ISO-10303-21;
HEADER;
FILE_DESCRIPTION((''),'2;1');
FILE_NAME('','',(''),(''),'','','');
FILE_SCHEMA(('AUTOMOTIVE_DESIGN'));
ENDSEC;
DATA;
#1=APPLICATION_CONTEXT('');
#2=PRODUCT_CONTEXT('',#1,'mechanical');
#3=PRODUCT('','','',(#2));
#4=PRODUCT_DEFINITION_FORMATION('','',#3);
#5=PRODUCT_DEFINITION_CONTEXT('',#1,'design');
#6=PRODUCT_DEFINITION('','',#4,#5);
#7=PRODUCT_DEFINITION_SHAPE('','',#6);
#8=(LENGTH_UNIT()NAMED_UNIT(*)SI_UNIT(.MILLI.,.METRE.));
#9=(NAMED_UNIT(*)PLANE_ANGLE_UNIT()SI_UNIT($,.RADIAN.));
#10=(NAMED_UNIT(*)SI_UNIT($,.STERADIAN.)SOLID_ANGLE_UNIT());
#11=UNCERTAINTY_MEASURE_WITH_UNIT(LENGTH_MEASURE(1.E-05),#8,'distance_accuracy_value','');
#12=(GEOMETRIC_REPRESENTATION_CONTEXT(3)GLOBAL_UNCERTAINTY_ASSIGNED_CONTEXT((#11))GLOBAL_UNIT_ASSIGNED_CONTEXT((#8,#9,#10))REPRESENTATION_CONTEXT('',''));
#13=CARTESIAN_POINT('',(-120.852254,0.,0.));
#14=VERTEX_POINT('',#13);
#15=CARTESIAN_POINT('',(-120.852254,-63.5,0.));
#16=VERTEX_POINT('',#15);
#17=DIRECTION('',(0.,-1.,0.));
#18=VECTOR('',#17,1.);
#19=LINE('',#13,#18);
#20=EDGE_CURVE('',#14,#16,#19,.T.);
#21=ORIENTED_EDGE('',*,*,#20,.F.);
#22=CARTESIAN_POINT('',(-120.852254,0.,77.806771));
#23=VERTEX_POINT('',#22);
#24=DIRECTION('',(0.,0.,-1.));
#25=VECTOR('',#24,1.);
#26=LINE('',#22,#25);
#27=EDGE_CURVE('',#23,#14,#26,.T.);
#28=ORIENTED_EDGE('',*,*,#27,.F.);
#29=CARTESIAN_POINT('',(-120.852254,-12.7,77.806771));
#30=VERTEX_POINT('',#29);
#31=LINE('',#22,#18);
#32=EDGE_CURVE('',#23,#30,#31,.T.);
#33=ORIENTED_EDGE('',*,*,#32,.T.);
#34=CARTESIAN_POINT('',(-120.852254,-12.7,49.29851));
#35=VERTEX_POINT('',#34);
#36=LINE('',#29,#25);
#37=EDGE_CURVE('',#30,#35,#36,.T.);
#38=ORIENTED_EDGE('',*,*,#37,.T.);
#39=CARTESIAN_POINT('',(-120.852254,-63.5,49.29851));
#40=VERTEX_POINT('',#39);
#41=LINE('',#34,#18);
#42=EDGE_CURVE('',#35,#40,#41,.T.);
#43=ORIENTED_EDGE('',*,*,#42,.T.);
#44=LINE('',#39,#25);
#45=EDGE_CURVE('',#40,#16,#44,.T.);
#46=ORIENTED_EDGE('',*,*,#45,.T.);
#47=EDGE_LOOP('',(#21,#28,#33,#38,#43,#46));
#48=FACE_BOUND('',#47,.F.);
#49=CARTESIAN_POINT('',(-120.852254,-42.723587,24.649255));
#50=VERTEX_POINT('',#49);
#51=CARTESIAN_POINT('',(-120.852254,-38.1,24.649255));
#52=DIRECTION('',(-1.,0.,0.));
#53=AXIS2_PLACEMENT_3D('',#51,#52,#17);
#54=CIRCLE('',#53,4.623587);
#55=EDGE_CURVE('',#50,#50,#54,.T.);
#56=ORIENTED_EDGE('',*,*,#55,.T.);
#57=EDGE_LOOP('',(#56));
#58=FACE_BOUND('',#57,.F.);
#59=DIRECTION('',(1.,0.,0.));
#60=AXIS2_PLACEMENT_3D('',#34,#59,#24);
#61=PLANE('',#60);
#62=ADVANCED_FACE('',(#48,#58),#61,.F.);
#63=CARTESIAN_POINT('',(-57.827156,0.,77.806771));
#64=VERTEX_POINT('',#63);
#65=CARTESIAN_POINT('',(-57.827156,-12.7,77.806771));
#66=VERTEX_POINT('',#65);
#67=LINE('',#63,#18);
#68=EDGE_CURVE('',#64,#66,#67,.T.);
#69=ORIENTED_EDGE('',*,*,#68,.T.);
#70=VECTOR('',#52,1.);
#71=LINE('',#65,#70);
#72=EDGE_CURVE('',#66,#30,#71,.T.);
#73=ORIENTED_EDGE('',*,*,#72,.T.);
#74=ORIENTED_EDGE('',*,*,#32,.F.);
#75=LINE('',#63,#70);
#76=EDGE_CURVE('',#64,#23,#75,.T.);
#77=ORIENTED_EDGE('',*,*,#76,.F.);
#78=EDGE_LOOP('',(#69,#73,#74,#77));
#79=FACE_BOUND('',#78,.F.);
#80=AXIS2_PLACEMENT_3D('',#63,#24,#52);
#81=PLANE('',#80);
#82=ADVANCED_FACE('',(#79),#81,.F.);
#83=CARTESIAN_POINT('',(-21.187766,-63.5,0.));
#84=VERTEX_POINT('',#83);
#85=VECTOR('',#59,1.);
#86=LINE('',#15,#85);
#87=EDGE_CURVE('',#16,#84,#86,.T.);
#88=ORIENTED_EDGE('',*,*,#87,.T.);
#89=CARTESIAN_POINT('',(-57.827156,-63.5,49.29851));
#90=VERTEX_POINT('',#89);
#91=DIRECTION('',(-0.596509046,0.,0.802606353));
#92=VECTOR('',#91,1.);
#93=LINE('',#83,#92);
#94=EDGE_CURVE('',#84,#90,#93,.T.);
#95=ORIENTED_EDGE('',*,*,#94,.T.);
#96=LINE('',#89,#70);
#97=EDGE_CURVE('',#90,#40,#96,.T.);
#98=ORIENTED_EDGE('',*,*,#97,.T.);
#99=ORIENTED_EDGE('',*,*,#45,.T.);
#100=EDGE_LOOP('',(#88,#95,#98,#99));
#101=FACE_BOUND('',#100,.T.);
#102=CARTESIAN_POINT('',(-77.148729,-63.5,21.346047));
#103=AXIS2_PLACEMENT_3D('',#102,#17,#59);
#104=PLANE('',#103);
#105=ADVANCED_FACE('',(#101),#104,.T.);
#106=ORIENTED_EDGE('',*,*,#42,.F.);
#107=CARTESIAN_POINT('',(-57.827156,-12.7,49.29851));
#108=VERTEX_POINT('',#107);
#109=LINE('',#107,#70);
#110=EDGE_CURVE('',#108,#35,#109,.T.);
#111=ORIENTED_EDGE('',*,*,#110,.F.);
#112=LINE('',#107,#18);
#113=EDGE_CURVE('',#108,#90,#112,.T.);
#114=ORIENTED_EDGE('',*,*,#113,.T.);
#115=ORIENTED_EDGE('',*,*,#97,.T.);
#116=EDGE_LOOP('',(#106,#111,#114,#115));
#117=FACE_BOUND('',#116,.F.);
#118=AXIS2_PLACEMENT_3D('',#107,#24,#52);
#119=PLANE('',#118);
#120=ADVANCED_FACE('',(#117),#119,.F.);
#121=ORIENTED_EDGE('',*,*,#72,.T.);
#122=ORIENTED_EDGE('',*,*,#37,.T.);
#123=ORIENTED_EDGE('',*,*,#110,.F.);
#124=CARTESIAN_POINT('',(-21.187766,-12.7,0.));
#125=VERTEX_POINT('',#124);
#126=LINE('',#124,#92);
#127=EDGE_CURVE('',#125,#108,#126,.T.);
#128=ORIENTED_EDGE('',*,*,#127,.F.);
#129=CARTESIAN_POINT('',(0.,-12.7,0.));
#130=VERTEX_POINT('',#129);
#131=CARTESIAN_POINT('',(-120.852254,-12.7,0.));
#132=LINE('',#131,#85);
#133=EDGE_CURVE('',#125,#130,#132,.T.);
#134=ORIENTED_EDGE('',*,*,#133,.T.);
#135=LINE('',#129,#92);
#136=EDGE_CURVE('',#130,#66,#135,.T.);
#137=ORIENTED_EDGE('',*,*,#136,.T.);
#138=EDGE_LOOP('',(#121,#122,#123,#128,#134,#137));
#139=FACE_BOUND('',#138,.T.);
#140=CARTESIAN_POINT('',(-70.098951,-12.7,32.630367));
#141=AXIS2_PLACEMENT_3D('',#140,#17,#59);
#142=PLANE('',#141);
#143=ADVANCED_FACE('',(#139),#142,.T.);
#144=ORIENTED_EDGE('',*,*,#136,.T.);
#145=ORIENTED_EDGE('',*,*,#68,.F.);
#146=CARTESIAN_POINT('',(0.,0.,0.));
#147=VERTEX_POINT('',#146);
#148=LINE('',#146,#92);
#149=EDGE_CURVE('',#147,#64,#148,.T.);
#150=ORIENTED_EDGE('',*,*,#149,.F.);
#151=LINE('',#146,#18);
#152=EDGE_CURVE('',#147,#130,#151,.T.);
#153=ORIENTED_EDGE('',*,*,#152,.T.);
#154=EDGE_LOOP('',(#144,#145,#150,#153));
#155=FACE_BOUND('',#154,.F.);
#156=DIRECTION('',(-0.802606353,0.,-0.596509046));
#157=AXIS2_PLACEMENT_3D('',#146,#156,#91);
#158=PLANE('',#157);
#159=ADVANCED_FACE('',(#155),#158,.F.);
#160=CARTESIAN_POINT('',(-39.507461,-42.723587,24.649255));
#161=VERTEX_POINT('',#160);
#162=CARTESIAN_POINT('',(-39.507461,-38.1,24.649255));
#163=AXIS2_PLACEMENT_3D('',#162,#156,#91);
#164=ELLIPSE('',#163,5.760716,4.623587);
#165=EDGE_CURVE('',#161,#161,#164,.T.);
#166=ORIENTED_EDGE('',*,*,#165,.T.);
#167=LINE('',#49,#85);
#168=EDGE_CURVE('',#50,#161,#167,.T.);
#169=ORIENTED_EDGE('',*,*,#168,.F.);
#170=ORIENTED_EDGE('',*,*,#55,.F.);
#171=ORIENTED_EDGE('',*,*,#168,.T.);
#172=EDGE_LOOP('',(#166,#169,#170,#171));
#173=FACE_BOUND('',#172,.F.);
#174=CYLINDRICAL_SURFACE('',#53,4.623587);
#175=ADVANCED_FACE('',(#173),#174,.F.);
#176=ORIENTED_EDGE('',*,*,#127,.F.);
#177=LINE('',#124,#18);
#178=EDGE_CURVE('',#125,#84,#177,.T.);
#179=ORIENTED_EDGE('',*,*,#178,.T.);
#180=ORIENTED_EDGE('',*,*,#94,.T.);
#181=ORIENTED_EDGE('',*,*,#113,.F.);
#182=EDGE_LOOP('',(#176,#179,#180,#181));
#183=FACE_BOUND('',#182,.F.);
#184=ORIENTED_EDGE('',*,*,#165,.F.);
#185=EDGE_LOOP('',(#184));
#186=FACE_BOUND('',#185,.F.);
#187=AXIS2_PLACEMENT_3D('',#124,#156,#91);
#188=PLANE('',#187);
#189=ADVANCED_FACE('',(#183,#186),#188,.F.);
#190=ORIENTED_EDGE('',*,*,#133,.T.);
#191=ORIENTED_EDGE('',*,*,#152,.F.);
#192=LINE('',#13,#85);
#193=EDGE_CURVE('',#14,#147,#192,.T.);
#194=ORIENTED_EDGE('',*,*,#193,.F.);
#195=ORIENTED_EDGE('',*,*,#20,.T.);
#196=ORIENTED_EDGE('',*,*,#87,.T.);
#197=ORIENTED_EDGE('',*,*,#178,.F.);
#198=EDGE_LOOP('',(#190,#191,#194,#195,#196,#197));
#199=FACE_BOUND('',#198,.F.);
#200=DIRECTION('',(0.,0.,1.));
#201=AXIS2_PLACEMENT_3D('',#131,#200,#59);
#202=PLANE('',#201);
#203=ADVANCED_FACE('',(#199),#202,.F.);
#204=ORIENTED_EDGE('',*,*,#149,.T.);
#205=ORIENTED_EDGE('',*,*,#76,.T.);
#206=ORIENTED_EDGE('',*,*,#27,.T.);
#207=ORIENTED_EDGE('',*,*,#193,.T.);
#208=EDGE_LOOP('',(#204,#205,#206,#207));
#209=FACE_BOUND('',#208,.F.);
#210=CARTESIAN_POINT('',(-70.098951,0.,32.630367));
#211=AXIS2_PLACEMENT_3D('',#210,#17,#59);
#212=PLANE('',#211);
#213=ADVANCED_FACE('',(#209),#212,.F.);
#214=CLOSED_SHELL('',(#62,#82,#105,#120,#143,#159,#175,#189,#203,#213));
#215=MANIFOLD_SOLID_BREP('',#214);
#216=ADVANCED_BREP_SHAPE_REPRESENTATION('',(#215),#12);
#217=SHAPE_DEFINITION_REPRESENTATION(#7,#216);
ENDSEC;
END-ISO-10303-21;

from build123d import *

# Parameters (mm, degrees)
F1_DEPTH = 12.7
F3_DEPTH = 50.8
F4_R     = 4.623587
F5_DEPTH = 120.853254


with BuildPart() as f1:
    # F0 (on Front) → F1 (new body)
    with BuildSketch(Plane.XZ):
        Polygon((-120.852254, 0), (0, 0), (-57.827156, 77.806771), (-120.852254, 77.806771), align=None)
    extrude(amount=F1_DEPTH)

    # F2 (on face) → F3 (join)
    with BuildSketch(Plane.XZ.offset(12.7)):
        Polygon((-57.827156, 49.29851), (-120.852254, 49.29851), (-120.852254, 0), (-21.187766, 0), align=None)
    extrude(amount=F3_DEPTH)

    # F4 (on face) → F5 (cut, through all)
    with BuildSketch(Plane(origin=(-120.852254, 0, 0), x_dir=(0, -1, 0), z_dir=(-1, 0, 0))):
        with Locations((38.1, 24.649255)):
            Circle(F4_R)
    extrude(amount=-F5_DEPTH, mode=Mode.SUBTRACT)


solid = f1.part
